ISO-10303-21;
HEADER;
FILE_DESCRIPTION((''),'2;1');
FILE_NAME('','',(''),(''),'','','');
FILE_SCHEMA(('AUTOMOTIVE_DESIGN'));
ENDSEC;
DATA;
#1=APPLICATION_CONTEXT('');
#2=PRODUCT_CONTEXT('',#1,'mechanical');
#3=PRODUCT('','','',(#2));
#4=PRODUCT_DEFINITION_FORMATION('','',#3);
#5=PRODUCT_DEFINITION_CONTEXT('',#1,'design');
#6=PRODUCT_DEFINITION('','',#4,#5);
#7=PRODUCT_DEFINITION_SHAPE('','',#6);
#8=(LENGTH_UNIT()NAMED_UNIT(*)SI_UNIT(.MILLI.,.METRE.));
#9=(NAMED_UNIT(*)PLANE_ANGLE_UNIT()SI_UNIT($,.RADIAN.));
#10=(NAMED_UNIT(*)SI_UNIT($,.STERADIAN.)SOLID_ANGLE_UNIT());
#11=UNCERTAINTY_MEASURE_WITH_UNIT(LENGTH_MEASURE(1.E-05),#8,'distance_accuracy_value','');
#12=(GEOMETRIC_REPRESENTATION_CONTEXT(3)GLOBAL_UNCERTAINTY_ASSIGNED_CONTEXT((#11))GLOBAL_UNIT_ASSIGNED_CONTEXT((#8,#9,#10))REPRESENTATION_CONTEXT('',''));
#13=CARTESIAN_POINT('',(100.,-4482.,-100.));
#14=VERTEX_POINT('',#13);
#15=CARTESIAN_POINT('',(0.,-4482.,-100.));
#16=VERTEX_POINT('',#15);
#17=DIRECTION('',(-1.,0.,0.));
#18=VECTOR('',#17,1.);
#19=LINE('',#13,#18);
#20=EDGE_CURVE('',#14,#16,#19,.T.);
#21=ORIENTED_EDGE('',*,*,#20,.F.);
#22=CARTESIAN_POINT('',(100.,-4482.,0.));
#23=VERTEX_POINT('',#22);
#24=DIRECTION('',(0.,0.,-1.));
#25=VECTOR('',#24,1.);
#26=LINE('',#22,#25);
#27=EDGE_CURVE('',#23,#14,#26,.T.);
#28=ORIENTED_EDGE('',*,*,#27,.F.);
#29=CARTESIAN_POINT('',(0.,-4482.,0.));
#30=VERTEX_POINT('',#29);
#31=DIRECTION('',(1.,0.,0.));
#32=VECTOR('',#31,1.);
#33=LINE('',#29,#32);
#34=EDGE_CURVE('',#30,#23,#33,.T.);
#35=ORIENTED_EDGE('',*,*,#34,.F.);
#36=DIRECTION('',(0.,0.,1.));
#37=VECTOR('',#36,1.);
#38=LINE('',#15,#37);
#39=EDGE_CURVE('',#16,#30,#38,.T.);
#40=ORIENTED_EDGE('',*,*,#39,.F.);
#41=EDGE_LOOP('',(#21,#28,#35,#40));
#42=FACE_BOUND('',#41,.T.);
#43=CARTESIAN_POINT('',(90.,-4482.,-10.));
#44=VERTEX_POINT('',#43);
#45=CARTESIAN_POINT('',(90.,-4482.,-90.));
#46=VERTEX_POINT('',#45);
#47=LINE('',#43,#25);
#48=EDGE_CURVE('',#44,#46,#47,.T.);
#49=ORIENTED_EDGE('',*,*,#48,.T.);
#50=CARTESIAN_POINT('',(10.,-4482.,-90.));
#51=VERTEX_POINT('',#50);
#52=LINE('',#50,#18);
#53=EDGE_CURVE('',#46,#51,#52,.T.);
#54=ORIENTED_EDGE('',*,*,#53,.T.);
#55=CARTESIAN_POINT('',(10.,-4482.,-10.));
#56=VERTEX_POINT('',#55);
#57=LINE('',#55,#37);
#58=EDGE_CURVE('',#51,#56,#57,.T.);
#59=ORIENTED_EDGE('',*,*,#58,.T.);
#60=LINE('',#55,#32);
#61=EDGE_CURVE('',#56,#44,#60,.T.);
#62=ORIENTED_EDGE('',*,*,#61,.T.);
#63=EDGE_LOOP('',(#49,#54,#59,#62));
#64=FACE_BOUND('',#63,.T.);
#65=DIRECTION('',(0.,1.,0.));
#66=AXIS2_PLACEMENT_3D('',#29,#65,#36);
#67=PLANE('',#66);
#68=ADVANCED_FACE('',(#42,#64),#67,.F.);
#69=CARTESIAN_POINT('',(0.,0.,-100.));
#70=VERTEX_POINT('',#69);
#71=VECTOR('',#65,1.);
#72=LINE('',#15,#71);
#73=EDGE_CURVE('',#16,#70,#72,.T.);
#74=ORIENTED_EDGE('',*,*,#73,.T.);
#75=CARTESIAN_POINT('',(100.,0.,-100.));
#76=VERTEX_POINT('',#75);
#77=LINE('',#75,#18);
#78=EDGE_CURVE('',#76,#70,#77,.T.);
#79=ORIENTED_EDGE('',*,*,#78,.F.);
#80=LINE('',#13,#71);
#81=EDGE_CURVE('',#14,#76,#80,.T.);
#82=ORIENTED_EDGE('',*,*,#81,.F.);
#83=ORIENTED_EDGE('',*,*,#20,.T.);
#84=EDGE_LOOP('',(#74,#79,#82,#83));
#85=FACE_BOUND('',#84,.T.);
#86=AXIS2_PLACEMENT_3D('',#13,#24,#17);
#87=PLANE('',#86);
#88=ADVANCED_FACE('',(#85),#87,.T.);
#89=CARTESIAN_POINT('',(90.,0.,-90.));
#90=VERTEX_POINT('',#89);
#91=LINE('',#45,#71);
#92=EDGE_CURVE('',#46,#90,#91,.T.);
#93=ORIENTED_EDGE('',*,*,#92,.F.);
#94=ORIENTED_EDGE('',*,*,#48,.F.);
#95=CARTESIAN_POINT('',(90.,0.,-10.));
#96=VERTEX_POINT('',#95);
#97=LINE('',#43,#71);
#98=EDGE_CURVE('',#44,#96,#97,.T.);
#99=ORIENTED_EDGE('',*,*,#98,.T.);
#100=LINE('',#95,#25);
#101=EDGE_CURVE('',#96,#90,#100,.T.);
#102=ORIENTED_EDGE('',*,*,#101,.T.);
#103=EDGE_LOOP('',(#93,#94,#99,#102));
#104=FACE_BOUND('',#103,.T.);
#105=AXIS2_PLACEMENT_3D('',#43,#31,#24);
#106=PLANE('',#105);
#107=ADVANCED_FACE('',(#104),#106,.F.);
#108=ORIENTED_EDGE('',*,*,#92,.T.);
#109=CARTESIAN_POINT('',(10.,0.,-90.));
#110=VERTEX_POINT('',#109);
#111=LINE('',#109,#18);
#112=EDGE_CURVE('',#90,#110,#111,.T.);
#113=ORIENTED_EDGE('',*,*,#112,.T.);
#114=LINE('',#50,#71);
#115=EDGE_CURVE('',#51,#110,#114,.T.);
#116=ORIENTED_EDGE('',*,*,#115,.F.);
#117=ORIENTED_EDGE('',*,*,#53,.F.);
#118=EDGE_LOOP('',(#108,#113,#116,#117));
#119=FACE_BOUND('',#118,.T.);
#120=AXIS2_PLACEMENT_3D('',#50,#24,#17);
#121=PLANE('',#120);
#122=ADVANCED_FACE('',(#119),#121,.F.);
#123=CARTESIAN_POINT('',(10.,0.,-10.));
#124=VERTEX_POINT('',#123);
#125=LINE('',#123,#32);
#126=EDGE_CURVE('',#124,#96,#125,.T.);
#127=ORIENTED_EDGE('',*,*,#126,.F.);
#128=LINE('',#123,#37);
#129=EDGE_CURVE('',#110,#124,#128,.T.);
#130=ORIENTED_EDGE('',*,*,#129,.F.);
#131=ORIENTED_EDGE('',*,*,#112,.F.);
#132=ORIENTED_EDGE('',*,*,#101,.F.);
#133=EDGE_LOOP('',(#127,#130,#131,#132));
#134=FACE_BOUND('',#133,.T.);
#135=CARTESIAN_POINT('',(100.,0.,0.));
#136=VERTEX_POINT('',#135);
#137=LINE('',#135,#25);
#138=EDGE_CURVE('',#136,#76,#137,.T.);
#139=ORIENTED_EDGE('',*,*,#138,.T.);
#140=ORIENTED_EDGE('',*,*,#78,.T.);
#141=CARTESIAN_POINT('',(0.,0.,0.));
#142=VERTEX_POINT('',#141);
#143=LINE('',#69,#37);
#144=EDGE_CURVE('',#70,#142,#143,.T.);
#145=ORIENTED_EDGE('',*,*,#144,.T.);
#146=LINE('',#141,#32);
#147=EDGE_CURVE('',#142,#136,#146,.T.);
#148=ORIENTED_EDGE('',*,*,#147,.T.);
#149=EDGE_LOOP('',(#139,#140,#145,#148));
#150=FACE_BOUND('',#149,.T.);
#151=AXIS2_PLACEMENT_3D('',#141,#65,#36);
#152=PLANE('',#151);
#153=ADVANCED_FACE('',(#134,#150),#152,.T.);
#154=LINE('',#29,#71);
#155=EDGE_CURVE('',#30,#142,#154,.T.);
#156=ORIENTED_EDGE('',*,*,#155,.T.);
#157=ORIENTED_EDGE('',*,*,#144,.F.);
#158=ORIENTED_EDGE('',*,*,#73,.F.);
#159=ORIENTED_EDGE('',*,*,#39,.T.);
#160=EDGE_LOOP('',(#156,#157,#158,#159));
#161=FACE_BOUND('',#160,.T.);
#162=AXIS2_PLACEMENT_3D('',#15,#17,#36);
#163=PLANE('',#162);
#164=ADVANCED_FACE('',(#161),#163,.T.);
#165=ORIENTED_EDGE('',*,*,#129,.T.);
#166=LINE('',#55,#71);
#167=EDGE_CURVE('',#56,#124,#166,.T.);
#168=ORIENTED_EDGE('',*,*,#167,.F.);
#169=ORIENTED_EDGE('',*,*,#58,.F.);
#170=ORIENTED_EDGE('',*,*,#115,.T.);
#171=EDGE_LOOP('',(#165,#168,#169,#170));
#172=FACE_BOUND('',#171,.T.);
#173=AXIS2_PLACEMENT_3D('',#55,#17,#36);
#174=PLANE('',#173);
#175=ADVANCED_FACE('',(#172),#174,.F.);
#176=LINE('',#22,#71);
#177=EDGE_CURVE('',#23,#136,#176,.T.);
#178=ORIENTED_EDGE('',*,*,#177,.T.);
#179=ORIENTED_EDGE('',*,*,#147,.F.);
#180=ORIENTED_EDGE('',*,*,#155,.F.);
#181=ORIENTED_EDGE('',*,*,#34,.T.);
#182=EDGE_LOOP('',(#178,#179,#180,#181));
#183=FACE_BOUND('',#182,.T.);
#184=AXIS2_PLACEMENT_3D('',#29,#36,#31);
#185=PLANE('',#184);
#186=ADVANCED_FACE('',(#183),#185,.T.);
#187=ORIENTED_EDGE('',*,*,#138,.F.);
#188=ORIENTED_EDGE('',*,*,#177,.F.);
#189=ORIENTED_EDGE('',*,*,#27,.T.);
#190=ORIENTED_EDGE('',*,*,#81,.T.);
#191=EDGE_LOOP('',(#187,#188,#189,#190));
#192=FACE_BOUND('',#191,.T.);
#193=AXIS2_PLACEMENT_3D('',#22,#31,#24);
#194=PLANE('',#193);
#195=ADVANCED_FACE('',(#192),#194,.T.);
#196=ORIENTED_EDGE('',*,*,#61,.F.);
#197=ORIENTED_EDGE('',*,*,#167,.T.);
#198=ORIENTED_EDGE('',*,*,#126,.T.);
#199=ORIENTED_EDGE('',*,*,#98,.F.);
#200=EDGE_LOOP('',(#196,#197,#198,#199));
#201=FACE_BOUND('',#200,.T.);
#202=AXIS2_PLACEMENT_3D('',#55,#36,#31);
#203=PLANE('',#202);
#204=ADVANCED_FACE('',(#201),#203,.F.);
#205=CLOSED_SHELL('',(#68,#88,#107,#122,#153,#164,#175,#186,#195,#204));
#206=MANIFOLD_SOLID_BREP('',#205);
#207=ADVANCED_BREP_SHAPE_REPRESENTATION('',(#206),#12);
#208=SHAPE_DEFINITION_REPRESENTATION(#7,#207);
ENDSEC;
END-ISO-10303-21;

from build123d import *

# Parameters (mm, degrees)
SKETCH1_W           = 100
SKETCH1_H           = 100
BOSS_EXTRUDE1_DEPTH = 4482
SKETCH5_W           = 80
SKETCH5_H           = 80
CUT_EXTRUDE1_DEPTH  = 4485.230591751


with BuildPart() as part:
    # Sketch1 → Boss-Extrude1 (new body)
    with BuildSketch(Plane(origin=(0, 0, 0), x_dir=(1, 0, 0), z_dir=(0, 1, 0))):
        with Locations((50, 50)):
            Rectangle(SKETCH1_W, SKETCH1_H)
    extrude(amount=-BOSS_EXTRUDE1_DEPTH)

    # Sketch5 → Cut-Extrude1 (cut, through all)
    with BuildSketch(Plane(origin=(0, 0, 0), x_dir=(1, 0, 0), z_dir=(0, 1, 0))):
        with Locations((50, 50)):
            Rectangle(SKETCH5_W, SKETCH5_H)
    extrude(amount=-CUT_EXTRUDE1_DEPTH, mode=Mode.SUBTRACT)


solid = part.part
